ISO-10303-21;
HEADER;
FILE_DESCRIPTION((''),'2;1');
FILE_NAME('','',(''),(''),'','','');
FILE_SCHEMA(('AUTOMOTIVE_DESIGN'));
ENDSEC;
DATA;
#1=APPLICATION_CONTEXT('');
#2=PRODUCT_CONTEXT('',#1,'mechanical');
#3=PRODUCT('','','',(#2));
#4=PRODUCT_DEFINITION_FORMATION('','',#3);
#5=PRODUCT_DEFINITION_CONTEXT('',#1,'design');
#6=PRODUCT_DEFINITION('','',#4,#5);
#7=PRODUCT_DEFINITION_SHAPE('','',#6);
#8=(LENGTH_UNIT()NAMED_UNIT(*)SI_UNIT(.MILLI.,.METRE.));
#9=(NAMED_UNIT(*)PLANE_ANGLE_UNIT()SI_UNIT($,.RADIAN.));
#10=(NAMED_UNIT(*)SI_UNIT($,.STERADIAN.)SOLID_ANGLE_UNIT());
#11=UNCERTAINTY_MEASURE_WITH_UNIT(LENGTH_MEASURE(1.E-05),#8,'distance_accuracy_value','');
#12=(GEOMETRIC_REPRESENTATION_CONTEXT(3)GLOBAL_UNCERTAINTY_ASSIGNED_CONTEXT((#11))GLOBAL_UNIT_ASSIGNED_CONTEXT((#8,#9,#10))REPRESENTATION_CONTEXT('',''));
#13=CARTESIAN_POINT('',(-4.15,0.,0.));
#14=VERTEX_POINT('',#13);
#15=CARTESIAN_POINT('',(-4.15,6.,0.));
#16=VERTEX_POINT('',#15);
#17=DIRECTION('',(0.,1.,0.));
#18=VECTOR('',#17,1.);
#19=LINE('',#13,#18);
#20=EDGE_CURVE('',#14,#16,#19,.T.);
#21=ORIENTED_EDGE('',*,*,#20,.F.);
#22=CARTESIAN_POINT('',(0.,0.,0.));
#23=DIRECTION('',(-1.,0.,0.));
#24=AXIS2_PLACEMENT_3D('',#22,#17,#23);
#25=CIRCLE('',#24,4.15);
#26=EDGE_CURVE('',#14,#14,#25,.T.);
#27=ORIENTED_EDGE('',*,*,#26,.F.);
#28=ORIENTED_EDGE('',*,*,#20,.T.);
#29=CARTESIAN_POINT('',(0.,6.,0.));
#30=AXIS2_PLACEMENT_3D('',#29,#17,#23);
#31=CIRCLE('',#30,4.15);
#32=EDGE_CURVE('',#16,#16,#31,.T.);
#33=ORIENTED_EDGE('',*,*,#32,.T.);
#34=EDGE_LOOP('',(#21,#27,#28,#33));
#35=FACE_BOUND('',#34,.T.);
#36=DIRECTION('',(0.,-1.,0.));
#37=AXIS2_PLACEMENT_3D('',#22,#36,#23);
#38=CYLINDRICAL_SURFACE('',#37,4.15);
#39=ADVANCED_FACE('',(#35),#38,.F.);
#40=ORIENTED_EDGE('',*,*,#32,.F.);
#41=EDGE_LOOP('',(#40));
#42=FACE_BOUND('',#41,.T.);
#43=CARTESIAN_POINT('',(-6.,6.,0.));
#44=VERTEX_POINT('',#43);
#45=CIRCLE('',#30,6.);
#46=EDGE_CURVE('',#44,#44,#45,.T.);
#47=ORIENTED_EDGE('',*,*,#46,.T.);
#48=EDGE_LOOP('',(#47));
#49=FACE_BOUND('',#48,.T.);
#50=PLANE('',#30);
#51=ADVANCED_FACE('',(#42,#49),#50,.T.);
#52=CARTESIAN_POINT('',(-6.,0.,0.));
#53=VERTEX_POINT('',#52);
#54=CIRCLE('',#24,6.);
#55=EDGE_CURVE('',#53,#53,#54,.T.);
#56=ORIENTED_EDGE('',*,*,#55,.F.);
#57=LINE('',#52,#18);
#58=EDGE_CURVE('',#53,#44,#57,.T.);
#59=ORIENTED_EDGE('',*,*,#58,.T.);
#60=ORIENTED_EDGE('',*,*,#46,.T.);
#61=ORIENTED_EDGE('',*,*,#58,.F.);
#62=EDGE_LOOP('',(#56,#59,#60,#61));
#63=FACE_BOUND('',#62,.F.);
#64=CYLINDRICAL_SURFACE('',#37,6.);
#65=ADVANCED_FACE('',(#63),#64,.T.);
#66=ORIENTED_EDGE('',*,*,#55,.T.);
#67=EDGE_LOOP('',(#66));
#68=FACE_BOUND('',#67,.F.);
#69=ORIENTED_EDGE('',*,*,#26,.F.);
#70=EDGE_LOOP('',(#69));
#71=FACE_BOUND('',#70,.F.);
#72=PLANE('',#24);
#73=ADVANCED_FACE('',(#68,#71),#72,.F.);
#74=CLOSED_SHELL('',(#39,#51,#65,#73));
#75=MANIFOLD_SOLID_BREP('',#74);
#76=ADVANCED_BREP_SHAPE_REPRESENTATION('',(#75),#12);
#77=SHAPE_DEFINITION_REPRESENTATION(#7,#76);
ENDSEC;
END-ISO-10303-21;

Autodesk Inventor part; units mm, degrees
ref_plane "YZ Plane" through (0, 0, 0) normal (1, 0, 0) x (0, 1, 0)
ref_plane "XZ Plane" through (0, 0, 0) normal (0, 1, 0) x (-1, 0, 0)
ref_plane "XY Plane" through (0, 0, 0) normal (0, 0, 1) x (1, 0, 0)
sketch "Sketch1" plane through (0, 0, 0) normal (0, 1, 0) x (-1, 0, 0)
  circle A0 centre (0, 0) radius 4.15
  circle A1 centre (0, 0) radius 6
  dimension "d0" = 8.3
  dimension "d1" = 12
extrude "Extrusion1" add sketch "Sketch1" along normal blind 6
properties part number "M8Spacer"
